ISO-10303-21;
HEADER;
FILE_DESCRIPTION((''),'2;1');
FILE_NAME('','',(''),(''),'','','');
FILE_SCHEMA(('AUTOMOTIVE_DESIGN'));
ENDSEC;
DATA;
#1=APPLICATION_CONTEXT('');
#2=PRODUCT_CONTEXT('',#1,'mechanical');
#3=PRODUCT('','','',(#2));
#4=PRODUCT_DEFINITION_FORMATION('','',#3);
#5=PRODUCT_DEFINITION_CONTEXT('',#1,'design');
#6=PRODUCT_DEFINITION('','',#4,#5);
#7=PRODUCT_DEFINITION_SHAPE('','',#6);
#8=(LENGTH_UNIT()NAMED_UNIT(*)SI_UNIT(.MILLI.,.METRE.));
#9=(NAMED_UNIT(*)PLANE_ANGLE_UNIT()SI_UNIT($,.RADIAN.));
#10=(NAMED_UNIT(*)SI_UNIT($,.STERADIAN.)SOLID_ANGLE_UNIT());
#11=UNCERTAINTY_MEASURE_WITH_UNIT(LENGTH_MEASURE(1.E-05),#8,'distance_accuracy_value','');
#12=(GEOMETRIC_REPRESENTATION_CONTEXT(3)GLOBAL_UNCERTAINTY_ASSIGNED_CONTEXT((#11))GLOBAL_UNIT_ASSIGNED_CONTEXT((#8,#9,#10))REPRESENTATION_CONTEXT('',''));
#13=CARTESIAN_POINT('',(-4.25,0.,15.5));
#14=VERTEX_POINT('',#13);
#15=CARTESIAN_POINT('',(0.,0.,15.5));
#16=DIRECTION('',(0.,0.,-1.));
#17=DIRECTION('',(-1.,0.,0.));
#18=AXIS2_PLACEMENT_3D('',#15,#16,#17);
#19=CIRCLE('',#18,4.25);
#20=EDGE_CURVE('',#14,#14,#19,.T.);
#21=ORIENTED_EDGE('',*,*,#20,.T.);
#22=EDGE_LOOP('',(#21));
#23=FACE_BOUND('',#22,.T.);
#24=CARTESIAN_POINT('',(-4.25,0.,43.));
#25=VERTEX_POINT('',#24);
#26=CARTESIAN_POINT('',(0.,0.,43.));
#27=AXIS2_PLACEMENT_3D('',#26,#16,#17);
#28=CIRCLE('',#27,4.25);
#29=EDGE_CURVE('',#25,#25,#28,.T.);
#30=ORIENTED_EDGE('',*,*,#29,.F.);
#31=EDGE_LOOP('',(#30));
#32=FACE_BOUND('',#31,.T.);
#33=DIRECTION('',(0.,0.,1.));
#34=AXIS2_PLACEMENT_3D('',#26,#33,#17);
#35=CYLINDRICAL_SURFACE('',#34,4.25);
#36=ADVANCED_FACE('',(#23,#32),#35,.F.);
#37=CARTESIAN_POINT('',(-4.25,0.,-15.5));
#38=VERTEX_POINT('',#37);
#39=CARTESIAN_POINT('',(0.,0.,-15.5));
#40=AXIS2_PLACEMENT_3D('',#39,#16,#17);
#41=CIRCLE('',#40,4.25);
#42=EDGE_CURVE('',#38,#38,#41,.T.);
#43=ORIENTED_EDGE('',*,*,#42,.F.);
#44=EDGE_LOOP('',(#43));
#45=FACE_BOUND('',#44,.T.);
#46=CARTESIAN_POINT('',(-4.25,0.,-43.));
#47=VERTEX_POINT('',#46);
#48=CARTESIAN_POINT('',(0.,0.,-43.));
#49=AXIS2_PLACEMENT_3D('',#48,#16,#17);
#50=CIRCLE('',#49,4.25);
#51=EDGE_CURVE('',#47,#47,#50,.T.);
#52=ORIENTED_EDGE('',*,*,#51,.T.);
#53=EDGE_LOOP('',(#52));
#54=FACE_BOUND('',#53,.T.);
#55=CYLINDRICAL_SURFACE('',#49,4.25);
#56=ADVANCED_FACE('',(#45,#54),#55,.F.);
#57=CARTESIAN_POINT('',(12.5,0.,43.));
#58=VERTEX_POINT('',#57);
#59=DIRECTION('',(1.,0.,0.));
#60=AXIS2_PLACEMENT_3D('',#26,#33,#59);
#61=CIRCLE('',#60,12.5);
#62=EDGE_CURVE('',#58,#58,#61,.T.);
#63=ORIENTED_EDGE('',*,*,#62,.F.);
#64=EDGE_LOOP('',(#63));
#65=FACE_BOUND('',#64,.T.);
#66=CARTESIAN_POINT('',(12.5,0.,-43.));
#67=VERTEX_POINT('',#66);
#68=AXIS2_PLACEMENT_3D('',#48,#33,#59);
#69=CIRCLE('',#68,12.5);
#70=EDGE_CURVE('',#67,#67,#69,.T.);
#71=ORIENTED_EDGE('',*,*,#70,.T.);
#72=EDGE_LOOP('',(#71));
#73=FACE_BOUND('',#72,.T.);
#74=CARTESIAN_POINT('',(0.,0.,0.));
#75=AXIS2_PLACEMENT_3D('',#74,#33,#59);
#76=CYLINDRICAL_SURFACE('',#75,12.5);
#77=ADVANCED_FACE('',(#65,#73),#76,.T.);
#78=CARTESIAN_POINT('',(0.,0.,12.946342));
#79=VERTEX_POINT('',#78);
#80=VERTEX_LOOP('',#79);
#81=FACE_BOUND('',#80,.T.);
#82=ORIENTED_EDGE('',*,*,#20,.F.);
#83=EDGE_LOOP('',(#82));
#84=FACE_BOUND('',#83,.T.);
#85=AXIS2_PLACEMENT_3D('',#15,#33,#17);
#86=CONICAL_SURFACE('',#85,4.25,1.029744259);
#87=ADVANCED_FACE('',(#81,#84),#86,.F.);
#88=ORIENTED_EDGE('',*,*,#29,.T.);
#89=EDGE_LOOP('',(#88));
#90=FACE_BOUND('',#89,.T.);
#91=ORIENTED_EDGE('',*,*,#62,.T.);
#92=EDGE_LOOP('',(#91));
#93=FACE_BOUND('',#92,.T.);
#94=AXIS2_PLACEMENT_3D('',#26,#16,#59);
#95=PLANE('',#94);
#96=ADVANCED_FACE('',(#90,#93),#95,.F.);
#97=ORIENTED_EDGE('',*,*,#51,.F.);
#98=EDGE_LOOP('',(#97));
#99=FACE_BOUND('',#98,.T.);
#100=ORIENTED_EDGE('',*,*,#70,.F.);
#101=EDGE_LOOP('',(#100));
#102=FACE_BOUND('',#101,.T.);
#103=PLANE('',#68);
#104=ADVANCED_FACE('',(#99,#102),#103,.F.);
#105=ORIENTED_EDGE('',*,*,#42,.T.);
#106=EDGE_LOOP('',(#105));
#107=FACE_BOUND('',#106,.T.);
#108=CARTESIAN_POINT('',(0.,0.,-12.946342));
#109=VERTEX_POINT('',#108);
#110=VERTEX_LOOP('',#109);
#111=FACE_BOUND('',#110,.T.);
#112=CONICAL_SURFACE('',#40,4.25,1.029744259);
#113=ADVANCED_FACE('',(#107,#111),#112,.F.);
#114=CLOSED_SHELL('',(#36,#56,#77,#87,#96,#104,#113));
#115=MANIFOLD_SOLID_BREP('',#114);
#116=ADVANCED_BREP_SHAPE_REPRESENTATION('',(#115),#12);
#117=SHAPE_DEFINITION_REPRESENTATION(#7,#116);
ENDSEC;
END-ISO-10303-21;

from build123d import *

# Parameters (mm, degrees)
SKETCH_2_W             = 43
SKETCH_2_H             = 12.5
HOLE_WIZARD_M101_D     = 8.5
HOLE_WIZARD_M101_DEPTH = 27.5
HOLE_WIZARD_M101_TIP   = 2.553657631


with BuildPart() as part:
    # Эскиз2 → Повернуть1 (revolve)
    with BuildSketch(Plane(origin=(0, 0, 0), x_dir=(0, 0, -1), z_dir=(1, 0, 0))):
        with Locations((21.5, 6.25)):
            Rectangle(SKETCH_2_W, SKETCH_2_H)
    revolve(axis=Axis((0, 0, 0), (0, 0, -1)))

    # Отверстие обработанное метчиком M101
    with Locations(Plane(origin=(0, 0, -43), x_dir=(-1, 0, 0), z_dir=(0, 0, -1))):
        with Locations((0, 0)):
            Hole(HOLE_WIZARD_M101_D / 2, depth=HOLE_WIZARD_M101_DEPTH)
            with Locations((0, 0, -(HOLE_WIZARD_M101_DEPTH + HOLE_WIZARD_M101_TIP / 2))):  # 118° drill point
                Cone(0, HOLE_WIZARD_M101_D / 2, HOLE_WIZARD_M101_TIP, mode=Mode.SUBTRACT)

    # Зеркальное отражение1: part across plane


with BuildPart() as part_1:
    add(part.part)
    add(part.part.mirror(Plane(origin=(0, 0, 0), x_dir=(1, 0, 0), z_dir=(0, 0, -1))))


solid = part_1.part
